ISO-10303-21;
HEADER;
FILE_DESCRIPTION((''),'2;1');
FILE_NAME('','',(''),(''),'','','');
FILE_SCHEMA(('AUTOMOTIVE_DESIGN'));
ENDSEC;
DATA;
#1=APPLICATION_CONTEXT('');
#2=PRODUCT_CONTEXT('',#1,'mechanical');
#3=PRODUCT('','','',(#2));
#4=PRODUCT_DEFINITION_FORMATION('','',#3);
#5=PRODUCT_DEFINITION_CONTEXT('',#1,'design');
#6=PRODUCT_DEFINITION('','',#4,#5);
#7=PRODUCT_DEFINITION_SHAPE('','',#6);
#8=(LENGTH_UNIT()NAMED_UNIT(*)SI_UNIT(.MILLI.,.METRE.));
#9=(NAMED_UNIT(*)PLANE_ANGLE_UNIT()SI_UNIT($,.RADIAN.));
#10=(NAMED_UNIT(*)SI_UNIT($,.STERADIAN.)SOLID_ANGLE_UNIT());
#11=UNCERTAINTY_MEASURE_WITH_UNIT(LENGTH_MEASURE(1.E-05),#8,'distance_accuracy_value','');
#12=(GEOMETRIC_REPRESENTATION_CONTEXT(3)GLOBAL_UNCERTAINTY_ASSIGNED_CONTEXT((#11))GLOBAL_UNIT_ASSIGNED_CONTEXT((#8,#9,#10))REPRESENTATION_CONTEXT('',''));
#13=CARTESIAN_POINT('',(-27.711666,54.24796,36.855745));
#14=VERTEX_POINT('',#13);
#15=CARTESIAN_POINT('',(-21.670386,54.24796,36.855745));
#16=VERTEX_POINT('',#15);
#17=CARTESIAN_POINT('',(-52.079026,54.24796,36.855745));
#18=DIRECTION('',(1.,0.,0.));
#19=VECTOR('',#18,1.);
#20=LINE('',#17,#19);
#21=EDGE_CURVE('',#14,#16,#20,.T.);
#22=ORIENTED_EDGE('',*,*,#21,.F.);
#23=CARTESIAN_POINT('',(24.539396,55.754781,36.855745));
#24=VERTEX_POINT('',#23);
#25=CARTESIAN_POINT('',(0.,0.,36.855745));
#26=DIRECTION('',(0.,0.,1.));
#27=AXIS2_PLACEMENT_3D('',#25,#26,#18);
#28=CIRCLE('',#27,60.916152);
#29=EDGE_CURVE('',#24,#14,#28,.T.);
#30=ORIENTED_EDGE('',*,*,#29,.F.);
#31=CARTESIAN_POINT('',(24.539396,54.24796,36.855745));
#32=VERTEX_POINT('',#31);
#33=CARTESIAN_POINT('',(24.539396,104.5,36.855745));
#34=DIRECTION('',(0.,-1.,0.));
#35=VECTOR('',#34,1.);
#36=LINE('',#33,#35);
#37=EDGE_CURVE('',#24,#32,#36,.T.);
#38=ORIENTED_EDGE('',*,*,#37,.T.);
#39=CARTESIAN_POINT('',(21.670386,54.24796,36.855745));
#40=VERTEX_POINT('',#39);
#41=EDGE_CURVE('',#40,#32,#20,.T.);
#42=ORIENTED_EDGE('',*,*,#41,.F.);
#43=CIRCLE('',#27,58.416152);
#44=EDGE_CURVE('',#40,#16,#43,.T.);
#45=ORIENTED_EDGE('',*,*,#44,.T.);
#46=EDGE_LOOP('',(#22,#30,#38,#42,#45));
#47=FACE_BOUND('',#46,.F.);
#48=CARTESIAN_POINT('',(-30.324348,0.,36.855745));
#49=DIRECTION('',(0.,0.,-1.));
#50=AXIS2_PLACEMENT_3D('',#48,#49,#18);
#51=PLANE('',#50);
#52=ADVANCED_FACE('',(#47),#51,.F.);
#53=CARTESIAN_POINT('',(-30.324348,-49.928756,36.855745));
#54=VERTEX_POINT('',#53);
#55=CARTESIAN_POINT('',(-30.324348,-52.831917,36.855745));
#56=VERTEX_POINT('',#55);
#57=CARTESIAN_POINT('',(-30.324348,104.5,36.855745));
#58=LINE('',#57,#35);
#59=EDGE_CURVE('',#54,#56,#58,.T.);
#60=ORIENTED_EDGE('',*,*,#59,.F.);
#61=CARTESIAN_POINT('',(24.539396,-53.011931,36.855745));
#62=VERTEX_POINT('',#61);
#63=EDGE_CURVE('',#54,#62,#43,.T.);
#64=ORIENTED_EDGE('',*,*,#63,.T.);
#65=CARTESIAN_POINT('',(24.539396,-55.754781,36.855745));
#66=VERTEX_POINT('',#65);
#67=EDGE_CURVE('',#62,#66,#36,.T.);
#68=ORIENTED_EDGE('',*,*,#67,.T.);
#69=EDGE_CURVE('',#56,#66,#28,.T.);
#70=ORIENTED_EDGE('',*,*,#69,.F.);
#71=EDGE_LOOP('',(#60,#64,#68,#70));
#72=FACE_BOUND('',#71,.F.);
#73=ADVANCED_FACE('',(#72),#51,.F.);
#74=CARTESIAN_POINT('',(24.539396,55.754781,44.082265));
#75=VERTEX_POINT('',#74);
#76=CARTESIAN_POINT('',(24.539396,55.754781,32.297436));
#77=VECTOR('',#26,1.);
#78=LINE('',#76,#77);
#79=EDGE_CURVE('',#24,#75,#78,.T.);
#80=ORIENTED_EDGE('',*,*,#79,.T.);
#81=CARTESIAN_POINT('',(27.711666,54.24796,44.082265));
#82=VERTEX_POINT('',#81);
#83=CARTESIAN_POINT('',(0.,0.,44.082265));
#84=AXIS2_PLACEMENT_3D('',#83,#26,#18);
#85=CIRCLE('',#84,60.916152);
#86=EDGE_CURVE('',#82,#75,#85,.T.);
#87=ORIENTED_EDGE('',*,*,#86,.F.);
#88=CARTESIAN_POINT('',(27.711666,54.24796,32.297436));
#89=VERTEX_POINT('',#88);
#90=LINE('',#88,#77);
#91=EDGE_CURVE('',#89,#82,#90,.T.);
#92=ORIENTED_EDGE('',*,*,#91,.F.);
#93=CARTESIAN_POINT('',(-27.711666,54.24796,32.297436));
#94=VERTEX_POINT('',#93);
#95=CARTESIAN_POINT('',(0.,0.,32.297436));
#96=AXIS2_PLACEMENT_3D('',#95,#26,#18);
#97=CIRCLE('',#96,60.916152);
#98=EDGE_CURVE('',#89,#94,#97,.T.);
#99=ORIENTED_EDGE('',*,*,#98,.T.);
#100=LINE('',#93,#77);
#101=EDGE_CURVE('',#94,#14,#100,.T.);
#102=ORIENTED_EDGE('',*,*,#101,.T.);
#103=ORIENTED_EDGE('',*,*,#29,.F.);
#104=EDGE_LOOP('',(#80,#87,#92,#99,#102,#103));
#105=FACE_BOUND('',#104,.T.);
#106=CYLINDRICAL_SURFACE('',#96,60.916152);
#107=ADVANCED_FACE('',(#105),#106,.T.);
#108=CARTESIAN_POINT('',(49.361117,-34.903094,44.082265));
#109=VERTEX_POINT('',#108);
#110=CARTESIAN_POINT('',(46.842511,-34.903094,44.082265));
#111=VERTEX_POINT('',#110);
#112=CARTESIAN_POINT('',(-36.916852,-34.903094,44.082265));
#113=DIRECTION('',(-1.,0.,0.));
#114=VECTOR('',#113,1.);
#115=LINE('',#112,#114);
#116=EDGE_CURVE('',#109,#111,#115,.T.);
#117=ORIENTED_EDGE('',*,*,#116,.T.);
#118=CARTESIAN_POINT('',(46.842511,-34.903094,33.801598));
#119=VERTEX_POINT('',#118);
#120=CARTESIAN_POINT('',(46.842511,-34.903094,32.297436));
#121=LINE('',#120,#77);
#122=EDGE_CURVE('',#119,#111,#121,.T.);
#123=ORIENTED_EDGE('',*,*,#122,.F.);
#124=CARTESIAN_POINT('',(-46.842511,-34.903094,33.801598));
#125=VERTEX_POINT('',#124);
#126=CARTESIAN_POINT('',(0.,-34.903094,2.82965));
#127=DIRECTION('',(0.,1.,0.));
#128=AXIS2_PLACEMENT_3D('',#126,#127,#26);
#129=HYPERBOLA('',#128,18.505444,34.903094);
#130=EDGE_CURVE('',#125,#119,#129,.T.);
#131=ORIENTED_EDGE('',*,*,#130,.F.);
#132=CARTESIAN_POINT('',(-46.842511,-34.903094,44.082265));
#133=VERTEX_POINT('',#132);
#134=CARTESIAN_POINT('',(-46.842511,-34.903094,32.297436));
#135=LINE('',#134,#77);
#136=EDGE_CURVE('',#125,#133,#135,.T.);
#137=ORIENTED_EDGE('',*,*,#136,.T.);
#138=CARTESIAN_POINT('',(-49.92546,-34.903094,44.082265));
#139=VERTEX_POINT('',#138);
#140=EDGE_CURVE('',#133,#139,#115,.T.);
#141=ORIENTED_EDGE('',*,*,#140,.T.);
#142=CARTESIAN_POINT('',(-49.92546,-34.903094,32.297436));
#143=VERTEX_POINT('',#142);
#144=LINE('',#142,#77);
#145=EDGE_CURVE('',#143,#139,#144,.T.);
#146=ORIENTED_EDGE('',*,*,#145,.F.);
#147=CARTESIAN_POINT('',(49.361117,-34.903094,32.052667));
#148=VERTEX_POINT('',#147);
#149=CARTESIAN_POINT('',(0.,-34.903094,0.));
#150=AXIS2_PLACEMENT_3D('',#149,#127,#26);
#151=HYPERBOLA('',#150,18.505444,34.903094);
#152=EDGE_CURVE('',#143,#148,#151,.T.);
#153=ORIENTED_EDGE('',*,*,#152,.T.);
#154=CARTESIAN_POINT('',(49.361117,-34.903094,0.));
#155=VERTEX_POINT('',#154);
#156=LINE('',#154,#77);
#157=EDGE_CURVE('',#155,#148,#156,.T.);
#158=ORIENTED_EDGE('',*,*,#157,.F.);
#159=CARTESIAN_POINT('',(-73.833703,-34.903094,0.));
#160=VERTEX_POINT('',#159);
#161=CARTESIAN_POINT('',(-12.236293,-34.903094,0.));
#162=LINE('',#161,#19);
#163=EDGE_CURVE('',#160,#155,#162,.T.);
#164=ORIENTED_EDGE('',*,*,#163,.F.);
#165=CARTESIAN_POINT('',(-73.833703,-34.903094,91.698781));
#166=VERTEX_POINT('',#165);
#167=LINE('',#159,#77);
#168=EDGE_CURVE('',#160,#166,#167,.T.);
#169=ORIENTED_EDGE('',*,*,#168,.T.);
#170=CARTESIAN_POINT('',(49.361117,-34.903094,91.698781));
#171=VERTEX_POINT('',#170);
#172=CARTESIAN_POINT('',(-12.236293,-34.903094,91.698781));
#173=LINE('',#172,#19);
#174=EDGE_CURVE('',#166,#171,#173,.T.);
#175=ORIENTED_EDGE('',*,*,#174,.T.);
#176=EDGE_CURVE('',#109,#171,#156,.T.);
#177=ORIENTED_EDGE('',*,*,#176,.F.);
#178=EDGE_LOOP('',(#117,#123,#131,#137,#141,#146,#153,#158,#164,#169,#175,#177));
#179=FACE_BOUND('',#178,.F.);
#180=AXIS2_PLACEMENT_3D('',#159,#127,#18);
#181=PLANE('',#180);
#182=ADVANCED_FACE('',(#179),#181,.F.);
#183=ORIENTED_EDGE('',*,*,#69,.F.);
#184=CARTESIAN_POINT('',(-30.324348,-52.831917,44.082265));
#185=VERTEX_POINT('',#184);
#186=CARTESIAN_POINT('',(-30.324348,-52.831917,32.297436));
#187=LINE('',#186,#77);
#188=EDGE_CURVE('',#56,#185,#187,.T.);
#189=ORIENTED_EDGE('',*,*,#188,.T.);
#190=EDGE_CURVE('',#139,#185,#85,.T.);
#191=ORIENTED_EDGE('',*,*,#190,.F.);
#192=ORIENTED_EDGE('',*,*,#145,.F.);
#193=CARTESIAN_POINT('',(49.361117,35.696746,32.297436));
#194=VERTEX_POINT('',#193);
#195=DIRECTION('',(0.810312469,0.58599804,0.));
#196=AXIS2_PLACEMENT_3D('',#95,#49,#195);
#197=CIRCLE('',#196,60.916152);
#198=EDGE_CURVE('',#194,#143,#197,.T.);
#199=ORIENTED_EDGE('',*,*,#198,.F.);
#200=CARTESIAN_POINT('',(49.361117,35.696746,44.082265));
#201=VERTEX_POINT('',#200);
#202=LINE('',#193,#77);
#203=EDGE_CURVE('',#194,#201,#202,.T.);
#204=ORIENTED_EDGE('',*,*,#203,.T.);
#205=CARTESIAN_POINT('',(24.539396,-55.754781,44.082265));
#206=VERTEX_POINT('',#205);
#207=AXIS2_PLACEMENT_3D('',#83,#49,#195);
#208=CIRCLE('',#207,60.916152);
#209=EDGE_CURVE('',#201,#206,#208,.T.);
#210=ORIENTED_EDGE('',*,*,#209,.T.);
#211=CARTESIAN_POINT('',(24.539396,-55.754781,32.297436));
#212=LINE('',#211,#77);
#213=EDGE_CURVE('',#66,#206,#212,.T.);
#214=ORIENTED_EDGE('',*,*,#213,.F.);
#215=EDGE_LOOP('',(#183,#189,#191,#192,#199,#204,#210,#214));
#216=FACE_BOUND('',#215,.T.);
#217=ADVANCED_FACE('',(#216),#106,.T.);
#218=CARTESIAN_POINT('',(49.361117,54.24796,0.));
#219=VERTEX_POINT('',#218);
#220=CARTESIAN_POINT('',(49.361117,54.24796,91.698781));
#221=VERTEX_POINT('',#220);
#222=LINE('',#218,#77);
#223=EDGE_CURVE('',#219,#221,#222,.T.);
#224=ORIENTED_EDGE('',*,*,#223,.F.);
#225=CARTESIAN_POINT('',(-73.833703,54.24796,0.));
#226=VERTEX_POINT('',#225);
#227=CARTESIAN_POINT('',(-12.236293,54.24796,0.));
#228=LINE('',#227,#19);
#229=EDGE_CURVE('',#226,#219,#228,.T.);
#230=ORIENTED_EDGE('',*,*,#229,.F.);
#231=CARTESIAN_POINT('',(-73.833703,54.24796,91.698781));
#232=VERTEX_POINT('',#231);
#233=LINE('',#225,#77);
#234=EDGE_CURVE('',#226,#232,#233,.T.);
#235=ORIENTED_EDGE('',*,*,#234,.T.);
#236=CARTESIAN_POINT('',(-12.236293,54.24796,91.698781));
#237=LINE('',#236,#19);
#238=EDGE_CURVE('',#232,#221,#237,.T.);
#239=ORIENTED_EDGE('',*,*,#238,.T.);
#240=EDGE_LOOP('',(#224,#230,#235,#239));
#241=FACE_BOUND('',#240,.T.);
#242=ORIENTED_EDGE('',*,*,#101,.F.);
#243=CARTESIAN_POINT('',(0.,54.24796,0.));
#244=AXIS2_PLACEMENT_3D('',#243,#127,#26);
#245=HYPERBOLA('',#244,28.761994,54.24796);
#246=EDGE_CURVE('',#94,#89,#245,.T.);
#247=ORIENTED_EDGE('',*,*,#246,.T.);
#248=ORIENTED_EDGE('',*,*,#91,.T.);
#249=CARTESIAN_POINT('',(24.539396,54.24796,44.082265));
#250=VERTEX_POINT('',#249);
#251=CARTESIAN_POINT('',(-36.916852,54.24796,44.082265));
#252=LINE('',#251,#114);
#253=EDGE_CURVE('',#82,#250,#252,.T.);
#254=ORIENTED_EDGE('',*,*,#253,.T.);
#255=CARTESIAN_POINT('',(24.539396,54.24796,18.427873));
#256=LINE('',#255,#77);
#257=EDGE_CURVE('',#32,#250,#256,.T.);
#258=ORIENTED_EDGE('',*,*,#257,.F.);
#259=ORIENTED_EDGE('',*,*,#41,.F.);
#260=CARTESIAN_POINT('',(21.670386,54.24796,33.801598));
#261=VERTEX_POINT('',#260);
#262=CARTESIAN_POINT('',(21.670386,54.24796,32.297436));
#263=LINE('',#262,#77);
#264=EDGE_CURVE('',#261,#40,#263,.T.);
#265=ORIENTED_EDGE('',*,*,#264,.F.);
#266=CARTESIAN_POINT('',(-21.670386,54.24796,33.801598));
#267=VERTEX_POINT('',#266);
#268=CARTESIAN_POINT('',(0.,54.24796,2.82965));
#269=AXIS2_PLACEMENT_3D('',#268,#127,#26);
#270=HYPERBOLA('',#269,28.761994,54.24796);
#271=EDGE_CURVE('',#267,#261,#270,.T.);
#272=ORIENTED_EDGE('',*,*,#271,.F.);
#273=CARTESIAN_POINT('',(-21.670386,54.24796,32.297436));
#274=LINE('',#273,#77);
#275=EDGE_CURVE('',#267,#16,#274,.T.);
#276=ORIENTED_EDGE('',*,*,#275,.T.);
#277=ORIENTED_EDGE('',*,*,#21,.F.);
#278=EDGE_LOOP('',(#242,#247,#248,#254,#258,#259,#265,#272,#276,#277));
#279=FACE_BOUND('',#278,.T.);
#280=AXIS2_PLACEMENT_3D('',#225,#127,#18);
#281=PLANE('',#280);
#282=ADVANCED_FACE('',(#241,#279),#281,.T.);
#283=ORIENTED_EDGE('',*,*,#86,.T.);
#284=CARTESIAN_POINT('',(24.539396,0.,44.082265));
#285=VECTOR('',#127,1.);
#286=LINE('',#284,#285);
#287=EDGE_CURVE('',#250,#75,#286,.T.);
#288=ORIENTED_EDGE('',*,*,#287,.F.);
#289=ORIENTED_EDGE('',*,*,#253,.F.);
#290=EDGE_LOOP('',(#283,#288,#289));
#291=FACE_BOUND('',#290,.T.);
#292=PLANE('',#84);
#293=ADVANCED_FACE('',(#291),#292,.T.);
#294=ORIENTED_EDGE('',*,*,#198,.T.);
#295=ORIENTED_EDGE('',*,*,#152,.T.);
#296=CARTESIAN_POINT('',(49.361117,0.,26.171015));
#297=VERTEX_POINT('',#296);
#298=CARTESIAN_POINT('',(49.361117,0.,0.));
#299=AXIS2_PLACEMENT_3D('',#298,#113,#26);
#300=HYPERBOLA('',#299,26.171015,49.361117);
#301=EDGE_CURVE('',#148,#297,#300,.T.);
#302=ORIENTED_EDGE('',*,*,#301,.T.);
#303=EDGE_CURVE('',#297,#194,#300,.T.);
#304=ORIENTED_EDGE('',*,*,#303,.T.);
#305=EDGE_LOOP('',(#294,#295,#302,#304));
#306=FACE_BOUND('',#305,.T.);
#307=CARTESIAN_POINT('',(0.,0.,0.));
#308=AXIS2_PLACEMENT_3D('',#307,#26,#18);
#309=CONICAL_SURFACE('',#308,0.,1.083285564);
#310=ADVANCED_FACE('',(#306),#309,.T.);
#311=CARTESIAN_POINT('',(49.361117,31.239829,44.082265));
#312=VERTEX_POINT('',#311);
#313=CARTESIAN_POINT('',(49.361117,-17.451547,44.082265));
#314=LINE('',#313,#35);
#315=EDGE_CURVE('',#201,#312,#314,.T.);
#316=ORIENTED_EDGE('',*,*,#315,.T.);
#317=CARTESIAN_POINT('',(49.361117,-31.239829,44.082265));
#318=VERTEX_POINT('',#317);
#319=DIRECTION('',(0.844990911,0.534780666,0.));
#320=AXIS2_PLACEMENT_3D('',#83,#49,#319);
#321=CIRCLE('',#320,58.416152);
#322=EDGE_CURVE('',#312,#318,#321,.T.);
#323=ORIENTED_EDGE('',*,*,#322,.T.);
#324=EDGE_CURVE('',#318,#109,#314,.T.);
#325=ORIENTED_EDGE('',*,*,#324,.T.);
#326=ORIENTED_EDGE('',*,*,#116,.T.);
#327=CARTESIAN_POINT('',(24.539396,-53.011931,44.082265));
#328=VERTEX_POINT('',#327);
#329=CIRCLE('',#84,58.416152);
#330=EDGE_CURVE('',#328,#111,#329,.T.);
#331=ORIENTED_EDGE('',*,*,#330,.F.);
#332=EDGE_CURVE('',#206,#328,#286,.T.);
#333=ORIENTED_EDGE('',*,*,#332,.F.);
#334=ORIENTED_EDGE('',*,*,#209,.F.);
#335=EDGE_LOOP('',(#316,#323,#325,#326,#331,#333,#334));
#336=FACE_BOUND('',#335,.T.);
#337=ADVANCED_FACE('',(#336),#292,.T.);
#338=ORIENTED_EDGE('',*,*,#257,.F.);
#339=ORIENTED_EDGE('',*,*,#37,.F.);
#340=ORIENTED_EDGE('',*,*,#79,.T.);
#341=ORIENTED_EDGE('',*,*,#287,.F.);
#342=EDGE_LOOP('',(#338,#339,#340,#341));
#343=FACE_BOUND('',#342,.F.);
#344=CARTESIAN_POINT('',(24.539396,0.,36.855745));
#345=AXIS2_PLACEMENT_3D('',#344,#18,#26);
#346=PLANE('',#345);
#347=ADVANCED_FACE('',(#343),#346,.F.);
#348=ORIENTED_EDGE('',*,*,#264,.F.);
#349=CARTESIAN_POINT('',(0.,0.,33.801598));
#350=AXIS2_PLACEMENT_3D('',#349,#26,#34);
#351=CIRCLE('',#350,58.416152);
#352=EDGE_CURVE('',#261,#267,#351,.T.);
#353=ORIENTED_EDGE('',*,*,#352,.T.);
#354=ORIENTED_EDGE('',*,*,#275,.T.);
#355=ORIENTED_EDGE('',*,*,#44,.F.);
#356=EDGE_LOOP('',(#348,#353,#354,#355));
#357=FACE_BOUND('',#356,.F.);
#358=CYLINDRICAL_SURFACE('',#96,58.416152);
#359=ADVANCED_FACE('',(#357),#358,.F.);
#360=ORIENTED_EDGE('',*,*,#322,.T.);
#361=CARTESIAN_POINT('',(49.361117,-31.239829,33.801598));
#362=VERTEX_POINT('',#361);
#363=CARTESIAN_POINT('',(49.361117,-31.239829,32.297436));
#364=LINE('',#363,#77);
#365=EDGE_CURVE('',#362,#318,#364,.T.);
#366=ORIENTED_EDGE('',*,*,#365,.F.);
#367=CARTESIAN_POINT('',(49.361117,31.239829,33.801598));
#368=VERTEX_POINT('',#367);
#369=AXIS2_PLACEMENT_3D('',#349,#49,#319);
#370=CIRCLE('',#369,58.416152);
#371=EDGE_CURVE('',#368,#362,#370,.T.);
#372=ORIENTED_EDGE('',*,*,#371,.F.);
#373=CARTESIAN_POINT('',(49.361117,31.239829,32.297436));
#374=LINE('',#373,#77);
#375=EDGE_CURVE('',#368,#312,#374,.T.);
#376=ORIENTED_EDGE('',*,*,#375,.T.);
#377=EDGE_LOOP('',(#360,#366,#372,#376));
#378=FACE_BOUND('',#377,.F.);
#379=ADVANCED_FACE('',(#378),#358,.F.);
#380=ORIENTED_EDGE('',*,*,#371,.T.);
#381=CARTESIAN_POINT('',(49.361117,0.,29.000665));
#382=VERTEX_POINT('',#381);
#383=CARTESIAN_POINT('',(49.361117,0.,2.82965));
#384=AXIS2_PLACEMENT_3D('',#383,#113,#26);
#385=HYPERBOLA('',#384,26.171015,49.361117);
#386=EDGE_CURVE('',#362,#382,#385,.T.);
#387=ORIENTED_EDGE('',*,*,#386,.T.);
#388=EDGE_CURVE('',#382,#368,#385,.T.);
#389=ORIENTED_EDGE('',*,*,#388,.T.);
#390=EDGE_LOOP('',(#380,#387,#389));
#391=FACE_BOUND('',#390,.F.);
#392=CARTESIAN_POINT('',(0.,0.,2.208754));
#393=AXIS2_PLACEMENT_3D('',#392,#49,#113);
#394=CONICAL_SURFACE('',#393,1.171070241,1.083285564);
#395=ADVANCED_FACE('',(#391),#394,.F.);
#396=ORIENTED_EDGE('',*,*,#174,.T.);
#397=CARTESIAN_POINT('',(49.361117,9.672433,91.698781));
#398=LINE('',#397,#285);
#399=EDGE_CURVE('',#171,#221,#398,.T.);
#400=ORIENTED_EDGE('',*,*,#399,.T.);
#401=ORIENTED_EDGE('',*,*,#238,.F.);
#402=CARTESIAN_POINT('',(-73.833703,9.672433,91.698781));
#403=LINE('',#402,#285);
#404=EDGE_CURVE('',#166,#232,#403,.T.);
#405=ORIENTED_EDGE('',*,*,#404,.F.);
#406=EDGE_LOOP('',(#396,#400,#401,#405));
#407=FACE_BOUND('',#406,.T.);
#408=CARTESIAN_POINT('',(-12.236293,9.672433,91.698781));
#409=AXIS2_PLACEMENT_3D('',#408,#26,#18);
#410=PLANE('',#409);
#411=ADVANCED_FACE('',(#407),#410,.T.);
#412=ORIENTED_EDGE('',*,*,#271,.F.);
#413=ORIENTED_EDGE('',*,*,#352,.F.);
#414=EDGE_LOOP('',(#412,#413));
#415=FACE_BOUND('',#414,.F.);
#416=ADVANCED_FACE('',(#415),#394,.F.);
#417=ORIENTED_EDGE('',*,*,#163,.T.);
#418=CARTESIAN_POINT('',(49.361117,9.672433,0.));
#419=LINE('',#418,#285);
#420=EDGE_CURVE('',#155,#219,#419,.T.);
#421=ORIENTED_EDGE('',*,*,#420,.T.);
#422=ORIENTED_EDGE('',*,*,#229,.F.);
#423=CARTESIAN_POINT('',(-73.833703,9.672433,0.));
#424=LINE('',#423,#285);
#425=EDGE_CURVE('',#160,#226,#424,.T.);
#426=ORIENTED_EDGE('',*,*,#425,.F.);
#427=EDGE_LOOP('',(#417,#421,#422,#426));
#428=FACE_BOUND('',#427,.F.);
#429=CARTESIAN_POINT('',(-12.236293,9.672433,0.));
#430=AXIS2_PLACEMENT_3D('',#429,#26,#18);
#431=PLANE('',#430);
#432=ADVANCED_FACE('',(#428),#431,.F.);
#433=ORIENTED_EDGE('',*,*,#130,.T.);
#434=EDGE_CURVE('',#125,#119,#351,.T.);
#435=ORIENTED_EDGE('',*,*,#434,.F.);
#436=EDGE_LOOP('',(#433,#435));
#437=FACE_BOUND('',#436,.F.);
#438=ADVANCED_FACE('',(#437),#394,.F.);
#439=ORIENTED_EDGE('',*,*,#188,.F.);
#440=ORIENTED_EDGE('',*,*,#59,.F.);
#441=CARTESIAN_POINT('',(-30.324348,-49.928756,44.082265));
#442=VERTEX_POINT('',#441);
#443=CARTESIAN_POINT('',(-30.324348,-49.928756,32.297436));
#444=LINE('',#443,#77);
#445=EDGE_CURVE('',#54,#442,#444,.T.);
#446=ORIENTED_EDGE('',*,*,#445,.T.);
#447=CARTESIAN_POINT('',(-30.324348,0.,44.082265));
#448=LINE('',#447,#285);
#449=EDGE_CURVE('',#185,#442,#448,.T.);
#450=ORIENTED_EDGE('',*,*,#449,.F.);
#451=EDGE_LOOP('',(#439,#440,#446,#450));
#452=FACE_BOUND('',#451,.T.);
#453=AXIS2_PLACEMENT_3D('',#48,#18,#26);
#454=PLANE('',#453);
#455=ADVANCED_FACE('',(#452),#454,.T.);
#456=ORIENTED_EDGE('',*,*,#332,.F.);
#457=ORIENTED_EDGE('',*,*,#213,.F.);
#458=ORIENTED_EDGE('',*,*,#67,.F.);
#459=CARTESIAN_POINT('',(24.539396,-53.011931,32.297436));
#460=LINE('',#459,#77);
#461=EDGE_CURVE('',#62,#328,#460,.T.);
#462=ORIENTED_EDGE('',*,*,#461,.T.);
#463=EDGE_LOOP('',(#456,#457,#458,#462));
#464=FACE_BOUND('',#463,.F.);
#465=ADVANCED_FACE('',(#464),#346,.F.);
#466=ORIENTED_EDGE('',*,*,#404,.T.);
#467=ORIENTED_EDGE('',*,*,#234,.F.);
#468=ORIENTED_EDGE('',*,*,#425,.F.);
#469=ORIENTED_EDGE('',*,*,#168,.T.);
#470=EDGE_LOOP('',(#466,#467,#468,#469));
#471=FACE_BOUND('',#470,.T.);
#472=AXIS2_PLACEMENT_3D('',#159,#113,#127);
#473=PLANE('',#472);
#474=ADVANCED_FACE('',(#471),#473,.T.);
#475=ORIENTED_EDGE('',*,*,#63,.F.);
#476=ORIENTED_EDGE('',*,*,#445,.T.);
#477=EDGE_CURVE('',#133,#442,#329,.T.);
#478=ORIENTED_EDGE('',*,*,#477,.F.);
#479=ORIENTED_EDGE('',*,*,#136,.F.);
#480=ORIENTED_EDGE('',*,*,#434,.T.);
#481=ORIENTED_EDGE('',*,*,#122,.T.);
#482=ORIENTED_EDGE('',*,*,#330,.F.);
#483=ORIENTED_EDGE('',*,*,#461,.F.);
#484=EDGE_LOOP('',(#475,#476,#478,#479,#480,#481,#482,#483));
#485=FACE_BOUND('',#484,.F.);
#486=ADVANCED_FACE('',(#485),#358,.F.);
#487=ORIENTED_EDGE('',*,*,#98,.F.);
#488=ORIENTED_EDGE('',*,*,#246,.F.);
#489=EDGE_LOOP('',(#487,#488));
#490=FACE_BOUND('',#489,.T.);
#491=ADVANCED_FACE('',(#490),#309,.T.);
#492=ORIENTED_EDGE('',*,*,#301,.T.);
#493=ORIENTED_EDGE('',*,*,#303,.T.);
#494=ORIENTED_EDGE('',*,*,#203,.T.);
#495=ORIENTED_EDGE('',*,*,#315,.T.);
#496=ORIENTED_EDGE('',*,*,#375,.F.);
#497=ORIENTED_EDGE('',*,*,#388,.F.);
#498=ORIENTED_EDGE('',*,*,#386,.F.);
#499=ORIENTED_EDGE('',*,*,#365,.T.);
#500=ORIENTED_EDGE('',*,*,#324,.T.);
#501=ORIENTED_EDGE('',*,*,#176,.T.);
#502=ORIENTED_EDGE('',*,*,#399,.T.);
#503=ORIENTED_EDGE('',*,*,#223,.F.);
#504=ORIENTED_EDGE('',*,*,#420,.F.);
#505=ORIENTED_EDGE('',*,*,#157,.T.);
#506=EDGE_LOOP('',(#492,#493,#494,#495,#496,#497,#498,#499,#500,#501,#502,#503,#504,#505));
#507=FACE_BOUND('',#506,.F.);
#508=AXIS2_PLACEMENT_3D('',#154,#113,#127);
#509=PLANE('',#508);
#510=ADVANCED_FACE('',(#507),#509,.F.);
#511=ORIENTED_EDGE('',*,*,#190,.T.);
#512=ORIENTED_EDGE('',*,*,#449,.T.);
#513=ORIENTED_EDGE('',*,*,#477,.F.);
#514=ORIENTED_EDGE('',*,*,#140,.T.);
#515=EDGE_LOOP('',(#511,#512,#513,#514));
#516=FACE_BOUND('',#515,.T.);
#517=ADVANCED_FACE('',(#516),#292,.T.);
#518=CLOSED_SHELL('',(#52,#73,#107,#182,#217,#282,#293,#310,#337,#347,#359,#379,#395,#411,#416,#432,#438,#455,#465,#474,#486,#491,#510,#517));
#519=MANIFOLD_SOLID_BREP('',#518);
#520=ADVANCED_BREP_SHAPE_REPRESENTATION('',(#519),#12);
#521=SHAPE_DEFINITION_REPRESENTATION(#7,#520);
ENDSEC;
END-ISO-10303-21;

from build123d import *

# Parameters (mm, degrees)
F2_T     = -2.5
F3_W     = 54.863745
F3_H     = 16.608417
F4_DEPTH = 104.5
F5_W     = 77.0705
F5_H     = 24.25948
F6_DEPTH = 90.4
F8_W     = 123.194821
F8_H     = 89.151054
F9_DEPTH = 91.698781


with BuildPart() as f1:
    # F0 (on Front) → F1 (revolve)
    with BuildSketch(Plane.XZ):
        Polygon((0, 44.082265), (0, 0), (60.916152, 32.297436), (60.916152, 44.082265), align=None)
    revolve(axis=Axis((0, 0, 22.041133), (0, 0, 1)))

    # F2
    f2_openings = [f1.faces().sort_by_distance(p)[0] for p in [
        (0, 0, 44.082265),
    ]]
    offset(amount=F2_T, openings=f2_openings)

    # F3 (on Front) → F4 (cut, symmetric)
    with BuildSketch(Plane.XZ):
        with Locations((-2.892476, 45.159954)):
            Rectangle(F3_W, F3_H)
    extrude(amount=F4_DEPTH, both=True, mode=Mode.SUBTRACT)

    # F5 (on Right) → F6 (cut, symmetric)
    with BuildSketch(Plane.YZ):
        with Locations((-2.79917, -1.772808)):
            Rectangle(F5_W, F5_H)
    extrude(amount=F6_DEPTH, both=True, mode=Mode.SUBTRACT)

    # F8 (on face) → F9 (join)
    with BuildSketch(Plane.XY):
        with Locations((-12.236293, 9.672433)):
            Rectangle(F8_W, F8_H)
    extrude(amount=F9_DEPTH)


solid = f1.part
